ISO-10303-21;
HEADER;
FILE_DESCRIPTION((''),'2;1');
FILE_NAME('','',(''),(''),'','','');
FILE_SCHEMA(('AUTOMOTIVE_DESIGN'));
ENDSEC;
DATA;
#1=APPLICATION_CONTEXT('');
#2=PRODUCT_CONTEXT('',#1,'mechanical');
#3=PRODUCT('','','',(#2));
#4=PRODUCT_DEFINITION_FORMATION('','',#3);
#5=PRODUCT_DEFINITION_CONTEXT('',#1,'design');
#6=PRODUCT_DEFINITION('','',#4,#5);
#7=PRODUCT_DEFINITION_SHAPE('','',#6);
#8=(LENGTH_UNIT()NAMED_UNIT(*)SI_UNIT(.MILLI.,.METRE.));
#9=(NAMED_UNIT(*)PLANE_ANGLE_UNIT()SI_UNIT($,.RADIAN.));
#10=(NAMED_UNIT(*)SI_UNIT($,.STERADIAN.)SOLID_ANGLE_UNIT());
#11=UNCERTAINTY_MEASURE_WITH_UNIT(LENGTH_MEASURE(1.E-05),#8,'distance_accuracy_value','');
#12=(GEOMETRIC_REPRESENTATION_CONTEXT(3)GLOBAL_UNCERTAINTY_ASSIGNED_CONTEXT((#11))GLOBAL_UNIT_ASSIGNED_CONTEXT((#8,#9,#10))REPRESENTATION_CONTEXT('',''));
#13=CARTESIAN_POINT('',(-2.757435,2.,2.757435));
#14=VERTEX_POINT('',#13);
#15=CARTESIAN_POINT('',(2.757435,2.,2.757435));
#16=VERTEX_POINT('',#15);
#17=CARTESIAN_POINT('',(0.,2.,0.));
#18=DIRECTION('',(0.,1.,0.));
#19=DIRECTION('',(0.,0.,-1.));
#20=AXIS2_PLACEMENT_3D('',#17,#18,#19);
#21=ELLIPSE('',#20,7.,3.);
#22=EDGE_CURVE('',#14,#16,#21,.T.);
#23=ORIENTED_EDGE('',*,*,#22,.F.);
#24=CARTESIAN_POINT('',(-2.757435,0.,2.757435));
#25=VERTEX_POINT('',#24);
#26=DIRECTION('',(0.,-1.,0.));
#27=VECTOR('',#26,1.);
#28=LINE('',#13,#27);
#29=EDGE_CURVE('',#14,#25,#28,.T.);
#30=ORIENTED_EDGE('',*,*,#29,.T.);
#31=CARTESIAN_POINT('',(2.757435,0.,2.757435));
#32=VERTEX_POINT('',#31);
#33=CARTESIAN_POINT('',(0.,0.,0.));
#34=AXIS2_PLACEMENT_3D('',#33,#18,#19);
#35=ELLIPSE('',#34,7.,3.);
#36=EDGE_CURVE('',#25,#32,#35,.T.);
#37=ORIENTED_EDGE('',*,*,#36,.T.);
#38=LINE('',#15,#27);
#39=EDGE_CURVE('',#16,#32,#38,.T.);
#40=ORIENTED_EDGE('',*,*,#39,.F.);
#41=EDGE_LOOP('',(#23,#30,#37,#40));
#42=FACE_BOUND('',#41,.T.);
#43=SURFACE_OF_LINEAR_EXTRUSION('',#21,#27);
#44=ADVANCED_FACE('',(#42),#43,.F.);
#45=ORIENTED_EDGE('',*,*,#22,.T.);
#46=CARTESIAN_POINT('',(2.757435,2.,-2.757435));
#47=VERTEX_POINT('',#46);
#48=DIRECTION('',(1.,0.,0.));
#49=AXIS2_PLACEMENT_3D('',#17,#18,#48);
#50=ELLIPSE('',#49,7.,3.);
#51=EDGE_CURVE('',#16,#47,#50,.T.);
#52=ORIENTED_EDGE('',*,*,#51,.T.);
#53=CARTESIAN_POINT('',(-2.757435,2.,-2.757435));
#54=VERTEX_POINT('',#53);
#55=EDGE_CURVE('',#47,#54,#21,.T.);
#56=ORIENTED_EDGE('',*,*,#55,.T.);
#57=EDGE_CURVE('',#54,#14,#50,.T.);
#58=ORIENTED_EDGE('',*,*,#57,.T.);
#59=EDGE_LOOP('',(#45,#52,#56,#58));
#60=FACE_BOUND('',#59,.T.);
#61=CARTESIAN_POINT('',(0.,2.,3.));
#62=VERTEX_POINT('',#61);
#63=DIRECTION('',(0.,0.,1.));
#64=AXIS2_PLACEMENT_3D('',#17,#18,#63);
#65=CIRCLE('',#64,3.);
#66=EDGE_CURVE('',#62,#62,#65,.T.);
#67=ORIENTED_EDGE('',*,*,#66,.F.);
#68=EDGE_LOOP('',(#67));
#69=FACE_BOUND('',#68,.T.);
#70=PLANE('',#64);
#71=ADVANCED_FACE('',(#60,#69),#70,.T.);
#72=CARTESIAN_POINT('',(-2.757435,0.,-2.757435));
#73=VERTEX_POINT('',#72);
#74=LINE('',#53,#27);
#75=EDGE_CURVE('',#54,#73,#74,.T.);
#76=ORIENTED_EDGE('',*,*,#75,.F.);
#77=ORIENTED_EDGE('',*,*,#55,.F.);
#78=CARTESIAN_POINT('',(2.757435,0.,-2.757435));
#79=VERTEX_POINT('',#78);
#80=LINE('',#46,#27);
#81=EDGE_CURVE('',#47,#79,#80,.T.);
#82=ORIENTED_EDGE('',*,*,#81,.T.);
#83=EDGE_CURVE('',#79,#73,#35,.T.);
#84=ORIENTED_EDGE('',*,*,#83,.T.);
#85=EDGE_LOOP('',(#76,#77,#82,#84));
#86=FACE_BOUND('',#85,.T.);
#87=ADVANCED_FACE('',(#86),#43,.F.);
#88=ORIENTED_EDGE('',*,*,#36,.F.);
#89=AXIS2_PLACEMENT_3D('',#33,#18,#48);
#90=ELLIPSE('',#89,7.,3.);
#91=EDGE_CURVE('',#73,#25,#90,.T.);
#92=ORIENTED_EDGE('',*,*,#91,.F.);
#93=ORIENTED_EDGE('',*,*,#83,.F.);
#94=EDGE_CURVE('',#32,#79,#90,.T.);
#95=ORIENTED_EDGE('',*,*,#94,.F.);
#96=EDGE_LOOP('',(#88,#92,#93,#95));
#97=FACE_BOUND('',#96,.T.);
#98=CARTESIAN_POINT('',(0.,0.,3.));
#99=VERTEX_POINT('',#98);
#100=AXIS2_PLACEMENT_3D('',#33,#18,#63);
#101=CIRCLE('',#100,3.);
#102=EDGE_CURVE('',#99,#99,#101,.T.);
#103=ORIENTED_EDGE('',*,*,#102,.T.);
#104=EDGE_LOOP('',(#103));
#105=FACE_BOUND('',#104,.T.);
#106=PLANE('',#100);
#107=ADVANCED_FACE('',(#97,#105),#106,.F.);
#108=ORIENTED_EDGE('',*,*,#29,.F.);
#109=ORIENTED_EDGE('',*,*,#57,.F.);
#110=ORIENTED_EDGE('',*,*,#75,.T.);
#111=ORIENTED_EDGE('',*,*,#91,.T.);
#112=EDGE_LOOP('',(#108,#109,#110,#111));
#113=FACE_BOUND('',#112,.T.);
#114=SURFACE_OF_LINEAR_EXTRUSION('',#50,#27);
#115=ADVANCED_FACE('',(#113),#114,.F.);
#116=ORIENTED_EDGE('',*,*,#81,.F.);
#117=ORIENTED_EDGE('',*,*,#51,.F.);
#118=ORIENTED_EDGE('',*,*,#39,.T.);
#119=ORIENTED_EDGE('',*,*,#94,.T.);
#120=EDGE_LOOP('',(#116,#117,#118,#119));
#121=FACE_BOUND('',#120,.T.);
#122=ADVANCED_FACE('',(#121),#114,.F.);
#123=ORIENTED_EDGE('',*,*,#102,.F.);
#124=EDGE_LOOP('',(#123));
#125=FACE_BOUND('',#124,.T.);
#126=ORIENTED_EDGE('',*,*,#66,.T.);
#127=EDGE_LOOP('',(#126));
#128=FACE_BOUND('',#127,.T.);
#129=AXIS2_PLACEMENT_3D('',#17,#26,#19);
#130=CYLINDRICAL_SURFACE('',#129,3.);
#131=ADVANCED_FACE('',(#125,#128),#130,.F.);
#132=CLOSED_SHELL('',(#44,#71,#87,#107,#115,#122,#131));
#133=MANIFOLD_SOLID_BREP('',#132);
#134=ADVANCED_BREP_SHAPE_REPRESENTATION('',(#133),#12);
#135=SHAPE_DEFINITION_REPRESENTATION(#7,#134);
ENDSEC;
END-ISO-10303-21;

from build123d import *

# Parameters (mm, degrees)
SKETCH1_R           = 3
BOSS_EXTRUDE1_DEPTH = 2


with BuildPart() as part:
    # Sketch1 → Boss-Extrude1 (new body)
    with BuildSketch(Plane(origin=(0, 0, 0), x_dir=(1, 0, 0), z_dir=(0, 1, 0))):
        with BuildLine():
            add(Edge.make_bspline(
                [(-2.75743509, -2.75743509), (0, -17.770137247), (2.75743509, -2.75743509)],
                knots=[1.975688113, 1.975688113, 1.975688113, 4.307497194, 4.307497194, 4.307497194], degree=2, weights=[1, 0.393919299, 1]))
            add(Edge.make_bspline(
                [(2.75743509, -2.75743509), (17.770137247, 0), (2.75743509, 2.75743509)],
                knots=[5.117280767, 5.117280767, 5.117280767, 7.449089848, 7.449089848, 7.449089848], degree=2, weights=[1, 0.393919299, 1]))
            add(Edge.make_bspline(
                [(2.75743509, 2.75743509), (0, 17.770137247), (-2.75743509, 2.75743509)],
                knots=[5.117280767, 5.117280767, 5.117280767, 7.449089848, 7.449089848, 7.449089848], degree=2, weights=[1, 0.393919299, 1]))
            add(Edge.make_bspline(
                [(-2.75743509, 2.75743509), (-17.770137247, 0), (-2.75743509, -2.75743509)],
                knots=[1.975688113, 1.975688113, 1.975688113, 4.307497194, 4.307497194, 4.307497194], degree=2, weights=[1, 0.393919299, 1]))
        make_face()
        Circle(SKETCH1_R, mode=Mode.SUBTRACT)
    extrude(amount=BOSS_EXTRUDE1_DEPTH)


solid = part.part
